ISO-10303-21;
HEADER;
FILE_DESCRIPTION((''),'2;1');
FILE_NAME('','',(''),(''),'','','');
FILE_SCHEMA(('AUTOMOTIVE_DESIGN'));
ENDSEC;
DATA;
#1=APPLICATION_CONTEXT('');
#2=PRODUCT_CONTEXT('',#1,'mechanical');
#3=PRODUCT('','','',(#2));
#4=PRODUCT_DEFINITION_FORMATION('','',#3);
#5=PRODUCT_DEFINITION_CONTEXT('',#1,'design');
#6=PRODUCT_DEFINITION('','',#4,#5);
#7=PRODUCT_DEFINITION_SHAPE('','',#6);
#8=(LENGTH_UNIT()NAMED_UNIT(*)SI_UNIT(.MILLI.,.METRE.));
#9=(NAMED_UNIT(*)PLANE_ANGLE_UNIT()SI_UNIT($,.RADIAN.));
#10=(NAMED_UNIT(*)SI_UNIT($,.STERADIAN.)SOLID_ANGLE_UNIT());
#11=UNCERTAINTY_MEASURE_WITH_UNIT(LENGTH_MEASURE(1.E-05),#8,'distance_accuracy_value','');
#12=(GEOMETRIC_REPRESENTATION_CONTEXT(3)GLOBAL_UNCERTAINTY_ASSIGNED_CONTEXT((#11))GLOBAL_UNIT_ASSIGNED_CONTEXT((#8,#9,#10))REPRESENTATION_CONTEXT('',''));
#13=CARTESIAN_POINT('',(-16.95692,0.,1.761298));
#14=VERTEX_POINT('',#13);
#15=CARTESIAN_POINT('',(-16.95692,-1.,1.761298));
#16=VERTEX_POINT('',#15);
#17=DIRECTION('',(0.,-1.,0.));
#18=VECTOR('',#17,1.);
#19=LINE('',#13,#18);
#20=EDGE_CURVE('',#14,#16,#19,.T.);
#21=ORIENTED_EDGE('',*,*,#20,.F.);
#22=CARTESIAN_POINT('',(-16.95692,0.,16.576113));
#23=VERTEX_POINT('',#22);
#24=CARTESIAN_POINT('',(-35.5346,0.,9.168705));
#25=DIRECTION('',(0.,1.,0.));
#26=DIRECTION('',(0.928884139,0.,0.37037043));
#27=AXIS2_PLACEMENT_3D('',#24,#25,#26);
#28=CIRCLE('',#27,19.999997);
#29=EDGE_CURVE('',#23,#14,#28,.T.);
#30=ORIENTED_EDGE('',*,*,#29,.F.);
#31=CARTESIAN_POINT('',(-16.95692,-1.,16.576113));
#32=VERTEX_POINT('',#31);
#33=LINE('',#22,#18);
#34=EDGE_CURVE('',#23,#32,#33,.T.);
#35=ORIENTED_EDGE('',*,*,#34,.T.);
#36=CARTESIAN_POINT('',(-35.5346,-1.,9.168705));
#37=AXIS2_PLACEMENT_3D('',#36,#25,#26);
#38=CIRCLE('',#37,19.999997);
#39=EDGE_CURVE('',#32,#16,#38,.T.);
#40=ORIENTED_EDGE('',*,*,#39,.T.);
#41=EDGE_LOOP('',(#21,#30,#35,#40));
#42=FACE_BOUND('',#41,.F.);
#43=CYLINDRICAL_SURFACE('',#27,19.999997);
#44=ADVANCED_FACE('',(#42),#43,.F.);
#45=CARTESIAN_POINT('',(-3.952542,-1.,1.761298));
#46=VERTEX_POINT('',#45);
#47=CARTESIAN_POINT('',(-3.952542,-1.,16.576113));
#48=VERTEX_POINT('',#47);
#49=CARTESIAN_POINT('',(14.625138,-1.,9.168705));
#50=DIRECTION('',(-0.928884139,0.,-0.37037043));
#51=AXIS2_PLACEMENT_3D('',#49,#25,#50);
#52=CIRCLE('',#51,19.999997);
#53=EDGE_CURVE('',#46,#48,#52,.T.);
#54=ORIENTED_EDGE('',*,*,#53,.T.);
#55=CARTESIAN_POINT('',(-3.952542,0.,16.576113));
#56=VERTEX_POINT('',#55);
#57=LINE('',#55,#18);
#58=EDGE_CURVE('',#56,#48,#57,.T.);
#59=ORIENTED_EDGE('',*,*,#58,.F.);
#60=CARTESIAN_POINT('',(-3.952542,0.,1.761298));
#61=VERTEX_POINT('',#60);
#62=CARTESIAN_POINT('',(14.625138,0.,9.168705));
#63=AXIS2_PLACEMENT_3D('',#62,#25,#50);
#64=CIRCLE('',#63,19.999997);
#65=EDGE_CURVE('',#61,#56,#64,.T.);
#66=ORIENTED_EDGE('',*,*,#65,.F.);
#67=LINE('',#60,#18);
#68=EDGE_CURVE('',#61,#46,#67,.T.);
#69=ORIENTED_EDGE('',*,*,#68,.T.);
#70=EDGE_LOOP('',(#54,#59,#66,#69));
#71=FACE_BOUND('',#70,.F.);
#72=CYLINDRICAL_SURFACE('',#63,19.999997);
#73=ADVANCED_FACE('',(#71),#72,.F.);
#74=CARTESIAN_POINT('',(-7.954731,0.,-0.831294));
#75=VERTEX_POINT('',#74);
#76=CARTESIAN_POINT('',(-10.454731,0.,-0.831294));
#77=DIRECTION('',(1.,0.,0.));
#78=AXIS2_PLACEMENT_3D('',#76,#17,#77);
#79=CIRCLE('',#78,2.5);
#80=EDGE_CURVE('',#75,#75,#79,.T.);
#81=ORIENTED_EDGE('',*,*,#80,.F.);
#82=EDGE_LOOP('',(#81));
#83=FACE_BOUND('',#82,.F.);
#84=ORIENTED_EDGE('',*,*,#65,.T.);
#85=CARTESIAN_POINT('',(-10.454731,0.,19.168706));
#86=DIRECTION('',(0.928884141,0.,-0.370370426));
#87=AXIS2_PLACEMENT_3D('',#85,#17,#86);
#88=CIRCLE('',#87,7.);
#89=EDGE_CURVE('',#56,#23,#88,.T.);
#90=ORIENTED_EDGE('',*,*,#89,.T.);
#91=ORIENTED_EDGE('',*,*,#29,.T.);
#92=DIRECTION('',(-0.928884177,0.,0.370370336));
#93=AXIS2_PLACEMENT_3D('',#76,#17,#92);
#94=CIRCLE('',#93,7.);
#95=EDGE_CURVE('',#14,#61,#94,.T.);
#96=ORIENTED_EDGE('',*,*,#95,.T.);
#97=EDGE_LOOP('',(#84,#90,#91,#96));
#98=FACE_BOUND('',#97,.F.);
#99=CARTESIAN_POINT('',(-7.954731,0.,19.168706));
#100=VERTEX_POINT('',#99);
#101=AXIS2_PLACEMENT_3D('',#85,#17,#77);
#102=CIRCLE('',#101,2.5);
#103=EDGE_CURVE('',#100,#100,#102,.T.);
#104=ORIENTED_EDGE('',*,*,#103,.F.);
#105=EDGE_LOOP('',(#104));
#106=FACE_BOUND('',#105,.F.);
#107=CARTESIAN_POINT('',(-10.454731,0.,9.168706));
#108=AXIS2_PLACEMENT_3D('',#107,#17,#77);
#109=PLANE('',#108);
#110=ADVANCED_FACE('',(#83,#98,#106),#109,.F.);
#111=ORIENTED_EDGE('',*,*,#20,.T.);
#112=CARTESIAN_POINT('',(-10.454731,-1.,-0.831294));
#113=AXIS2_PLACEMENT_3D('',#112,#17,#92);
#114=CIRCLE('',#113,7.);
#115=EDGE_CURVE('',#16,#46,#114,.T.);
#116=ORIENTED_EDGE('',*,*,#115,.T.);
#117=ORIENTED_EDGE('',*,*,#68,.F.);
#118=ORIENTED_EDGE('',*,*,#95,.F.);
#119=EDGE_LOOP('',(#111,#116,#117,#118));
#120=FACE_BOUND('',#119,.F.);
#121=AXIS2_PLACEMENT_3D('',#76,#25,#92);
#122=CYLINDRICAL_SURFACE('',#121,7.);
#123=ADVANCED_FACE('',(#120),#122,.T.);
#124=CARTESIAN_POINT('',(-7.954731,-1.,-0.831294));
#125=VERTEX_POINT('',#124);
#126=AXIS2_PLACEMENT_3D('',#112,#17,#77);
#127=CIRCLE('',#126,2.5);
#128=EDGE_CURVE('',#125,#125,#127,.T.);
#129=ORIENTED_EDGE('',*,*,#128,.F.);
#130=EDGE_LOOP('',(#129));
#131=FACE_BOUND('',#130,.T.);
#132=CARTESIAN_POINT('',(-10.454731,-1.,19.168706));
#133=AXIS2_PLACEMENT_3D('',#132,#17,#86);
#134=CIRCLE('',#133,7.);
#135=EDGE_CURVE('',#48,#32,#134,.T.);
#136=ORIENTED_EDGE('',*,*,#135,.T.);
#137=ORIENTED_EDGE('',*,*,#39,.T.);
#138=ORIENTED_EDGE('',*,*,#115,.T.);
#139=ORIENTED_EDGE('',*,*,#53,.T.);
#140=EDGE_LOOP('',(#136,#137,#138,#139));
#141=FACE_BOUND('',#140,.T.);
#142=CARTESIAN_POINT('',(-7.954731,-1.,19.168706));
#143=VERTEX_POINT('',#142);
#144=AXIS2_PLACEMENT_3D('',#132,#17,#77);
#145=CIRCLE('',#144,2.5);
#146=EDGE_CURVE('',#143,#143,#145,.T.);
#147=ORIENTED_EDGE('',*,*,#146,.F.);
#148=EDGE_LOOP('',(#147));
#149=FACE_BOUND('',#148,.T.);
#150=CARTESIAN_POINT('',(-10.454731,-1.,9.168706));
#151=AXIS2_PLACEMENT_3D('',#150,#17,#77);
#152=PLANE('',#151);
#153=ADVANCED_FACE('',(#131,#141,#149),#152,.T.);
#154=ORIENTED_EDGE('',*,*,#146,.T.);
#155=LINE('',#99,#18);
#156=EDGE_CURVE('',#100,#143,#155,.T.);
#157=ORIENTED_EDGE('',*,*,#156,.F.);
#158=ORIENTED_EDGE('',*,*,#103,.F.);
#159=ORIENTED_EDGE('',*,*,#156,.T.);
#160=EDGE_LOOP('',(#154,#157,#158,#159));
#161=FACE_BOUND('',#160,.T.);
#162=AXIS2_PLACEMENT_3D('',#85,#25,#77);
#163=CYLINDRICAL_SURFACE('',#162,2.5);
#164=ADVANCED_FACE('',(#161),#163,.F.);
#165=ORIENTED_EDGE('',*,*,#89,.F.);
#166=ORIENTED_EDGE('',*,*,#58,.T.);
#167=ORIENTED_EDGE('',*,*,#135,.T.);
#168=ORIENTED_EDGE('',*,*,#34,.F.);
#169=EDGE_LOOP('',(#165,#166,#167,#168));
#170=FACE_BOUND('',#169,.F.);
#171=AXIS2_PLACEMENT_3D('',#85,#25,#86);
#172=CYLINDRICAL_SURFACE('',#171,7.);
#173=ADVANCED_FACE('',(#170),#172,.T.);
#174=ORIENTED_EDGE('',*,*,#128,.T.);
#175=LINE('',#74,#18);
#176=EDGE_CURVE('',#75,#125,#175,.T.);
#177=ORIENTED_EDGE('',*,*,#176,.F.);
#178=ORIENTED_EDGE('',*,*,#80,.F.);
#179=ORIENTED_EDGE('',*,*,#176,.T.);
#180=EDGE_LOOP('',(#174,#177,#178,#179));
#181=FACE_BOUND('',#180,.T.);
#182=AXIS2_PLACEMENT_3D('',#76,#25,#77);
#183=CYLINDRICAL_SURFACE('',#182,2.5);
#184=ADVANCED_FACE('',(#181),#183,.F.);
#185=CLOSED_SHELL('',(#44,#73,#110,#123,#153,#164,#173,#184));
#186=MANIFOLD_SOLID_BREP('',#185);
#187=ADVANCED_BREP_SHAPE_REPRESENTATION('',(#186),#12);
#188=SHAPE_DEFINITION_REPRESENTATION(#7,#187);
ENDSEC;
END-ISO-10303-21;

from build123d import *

# Parameters (mm, degrees)
F0_R     = 2.5
F1_DEPTH = 1


with BuildPart() as f1:
    # F0 (on Front) → F1 (new body)
    with BuildSketch(Plane.XZ):
        with BuildLine():
            ThreePointArc((-3.952542, 1.761298), (-5.374859, 9.168706), (-3.952542, 16.576113))
            ThreePointArc((-3.952542, 16.576113), (-10.454731, 26.168706), (-16.95692, 16.576113))
            ThreePointArc((-16.95692, 16.576113), (-15.534603, 9.168706), (-16.95692, 1.761298))
            ThreePointArc((-16.95692, 1.761298), (-10.454731, -7.831294), (-3.952542, 1.761298))
        make_face()
        with Locations((-10.454731, -0.831294)):
            Circle(F0_R, mode=Mode.SUBTRACT)
        with Locations((-10.454731, 19.168706)):
            Circle(F0_R, mode=Mode.SUBTRACT)
    extrude(amount=F1_DEPTH)


solid = f1.part
